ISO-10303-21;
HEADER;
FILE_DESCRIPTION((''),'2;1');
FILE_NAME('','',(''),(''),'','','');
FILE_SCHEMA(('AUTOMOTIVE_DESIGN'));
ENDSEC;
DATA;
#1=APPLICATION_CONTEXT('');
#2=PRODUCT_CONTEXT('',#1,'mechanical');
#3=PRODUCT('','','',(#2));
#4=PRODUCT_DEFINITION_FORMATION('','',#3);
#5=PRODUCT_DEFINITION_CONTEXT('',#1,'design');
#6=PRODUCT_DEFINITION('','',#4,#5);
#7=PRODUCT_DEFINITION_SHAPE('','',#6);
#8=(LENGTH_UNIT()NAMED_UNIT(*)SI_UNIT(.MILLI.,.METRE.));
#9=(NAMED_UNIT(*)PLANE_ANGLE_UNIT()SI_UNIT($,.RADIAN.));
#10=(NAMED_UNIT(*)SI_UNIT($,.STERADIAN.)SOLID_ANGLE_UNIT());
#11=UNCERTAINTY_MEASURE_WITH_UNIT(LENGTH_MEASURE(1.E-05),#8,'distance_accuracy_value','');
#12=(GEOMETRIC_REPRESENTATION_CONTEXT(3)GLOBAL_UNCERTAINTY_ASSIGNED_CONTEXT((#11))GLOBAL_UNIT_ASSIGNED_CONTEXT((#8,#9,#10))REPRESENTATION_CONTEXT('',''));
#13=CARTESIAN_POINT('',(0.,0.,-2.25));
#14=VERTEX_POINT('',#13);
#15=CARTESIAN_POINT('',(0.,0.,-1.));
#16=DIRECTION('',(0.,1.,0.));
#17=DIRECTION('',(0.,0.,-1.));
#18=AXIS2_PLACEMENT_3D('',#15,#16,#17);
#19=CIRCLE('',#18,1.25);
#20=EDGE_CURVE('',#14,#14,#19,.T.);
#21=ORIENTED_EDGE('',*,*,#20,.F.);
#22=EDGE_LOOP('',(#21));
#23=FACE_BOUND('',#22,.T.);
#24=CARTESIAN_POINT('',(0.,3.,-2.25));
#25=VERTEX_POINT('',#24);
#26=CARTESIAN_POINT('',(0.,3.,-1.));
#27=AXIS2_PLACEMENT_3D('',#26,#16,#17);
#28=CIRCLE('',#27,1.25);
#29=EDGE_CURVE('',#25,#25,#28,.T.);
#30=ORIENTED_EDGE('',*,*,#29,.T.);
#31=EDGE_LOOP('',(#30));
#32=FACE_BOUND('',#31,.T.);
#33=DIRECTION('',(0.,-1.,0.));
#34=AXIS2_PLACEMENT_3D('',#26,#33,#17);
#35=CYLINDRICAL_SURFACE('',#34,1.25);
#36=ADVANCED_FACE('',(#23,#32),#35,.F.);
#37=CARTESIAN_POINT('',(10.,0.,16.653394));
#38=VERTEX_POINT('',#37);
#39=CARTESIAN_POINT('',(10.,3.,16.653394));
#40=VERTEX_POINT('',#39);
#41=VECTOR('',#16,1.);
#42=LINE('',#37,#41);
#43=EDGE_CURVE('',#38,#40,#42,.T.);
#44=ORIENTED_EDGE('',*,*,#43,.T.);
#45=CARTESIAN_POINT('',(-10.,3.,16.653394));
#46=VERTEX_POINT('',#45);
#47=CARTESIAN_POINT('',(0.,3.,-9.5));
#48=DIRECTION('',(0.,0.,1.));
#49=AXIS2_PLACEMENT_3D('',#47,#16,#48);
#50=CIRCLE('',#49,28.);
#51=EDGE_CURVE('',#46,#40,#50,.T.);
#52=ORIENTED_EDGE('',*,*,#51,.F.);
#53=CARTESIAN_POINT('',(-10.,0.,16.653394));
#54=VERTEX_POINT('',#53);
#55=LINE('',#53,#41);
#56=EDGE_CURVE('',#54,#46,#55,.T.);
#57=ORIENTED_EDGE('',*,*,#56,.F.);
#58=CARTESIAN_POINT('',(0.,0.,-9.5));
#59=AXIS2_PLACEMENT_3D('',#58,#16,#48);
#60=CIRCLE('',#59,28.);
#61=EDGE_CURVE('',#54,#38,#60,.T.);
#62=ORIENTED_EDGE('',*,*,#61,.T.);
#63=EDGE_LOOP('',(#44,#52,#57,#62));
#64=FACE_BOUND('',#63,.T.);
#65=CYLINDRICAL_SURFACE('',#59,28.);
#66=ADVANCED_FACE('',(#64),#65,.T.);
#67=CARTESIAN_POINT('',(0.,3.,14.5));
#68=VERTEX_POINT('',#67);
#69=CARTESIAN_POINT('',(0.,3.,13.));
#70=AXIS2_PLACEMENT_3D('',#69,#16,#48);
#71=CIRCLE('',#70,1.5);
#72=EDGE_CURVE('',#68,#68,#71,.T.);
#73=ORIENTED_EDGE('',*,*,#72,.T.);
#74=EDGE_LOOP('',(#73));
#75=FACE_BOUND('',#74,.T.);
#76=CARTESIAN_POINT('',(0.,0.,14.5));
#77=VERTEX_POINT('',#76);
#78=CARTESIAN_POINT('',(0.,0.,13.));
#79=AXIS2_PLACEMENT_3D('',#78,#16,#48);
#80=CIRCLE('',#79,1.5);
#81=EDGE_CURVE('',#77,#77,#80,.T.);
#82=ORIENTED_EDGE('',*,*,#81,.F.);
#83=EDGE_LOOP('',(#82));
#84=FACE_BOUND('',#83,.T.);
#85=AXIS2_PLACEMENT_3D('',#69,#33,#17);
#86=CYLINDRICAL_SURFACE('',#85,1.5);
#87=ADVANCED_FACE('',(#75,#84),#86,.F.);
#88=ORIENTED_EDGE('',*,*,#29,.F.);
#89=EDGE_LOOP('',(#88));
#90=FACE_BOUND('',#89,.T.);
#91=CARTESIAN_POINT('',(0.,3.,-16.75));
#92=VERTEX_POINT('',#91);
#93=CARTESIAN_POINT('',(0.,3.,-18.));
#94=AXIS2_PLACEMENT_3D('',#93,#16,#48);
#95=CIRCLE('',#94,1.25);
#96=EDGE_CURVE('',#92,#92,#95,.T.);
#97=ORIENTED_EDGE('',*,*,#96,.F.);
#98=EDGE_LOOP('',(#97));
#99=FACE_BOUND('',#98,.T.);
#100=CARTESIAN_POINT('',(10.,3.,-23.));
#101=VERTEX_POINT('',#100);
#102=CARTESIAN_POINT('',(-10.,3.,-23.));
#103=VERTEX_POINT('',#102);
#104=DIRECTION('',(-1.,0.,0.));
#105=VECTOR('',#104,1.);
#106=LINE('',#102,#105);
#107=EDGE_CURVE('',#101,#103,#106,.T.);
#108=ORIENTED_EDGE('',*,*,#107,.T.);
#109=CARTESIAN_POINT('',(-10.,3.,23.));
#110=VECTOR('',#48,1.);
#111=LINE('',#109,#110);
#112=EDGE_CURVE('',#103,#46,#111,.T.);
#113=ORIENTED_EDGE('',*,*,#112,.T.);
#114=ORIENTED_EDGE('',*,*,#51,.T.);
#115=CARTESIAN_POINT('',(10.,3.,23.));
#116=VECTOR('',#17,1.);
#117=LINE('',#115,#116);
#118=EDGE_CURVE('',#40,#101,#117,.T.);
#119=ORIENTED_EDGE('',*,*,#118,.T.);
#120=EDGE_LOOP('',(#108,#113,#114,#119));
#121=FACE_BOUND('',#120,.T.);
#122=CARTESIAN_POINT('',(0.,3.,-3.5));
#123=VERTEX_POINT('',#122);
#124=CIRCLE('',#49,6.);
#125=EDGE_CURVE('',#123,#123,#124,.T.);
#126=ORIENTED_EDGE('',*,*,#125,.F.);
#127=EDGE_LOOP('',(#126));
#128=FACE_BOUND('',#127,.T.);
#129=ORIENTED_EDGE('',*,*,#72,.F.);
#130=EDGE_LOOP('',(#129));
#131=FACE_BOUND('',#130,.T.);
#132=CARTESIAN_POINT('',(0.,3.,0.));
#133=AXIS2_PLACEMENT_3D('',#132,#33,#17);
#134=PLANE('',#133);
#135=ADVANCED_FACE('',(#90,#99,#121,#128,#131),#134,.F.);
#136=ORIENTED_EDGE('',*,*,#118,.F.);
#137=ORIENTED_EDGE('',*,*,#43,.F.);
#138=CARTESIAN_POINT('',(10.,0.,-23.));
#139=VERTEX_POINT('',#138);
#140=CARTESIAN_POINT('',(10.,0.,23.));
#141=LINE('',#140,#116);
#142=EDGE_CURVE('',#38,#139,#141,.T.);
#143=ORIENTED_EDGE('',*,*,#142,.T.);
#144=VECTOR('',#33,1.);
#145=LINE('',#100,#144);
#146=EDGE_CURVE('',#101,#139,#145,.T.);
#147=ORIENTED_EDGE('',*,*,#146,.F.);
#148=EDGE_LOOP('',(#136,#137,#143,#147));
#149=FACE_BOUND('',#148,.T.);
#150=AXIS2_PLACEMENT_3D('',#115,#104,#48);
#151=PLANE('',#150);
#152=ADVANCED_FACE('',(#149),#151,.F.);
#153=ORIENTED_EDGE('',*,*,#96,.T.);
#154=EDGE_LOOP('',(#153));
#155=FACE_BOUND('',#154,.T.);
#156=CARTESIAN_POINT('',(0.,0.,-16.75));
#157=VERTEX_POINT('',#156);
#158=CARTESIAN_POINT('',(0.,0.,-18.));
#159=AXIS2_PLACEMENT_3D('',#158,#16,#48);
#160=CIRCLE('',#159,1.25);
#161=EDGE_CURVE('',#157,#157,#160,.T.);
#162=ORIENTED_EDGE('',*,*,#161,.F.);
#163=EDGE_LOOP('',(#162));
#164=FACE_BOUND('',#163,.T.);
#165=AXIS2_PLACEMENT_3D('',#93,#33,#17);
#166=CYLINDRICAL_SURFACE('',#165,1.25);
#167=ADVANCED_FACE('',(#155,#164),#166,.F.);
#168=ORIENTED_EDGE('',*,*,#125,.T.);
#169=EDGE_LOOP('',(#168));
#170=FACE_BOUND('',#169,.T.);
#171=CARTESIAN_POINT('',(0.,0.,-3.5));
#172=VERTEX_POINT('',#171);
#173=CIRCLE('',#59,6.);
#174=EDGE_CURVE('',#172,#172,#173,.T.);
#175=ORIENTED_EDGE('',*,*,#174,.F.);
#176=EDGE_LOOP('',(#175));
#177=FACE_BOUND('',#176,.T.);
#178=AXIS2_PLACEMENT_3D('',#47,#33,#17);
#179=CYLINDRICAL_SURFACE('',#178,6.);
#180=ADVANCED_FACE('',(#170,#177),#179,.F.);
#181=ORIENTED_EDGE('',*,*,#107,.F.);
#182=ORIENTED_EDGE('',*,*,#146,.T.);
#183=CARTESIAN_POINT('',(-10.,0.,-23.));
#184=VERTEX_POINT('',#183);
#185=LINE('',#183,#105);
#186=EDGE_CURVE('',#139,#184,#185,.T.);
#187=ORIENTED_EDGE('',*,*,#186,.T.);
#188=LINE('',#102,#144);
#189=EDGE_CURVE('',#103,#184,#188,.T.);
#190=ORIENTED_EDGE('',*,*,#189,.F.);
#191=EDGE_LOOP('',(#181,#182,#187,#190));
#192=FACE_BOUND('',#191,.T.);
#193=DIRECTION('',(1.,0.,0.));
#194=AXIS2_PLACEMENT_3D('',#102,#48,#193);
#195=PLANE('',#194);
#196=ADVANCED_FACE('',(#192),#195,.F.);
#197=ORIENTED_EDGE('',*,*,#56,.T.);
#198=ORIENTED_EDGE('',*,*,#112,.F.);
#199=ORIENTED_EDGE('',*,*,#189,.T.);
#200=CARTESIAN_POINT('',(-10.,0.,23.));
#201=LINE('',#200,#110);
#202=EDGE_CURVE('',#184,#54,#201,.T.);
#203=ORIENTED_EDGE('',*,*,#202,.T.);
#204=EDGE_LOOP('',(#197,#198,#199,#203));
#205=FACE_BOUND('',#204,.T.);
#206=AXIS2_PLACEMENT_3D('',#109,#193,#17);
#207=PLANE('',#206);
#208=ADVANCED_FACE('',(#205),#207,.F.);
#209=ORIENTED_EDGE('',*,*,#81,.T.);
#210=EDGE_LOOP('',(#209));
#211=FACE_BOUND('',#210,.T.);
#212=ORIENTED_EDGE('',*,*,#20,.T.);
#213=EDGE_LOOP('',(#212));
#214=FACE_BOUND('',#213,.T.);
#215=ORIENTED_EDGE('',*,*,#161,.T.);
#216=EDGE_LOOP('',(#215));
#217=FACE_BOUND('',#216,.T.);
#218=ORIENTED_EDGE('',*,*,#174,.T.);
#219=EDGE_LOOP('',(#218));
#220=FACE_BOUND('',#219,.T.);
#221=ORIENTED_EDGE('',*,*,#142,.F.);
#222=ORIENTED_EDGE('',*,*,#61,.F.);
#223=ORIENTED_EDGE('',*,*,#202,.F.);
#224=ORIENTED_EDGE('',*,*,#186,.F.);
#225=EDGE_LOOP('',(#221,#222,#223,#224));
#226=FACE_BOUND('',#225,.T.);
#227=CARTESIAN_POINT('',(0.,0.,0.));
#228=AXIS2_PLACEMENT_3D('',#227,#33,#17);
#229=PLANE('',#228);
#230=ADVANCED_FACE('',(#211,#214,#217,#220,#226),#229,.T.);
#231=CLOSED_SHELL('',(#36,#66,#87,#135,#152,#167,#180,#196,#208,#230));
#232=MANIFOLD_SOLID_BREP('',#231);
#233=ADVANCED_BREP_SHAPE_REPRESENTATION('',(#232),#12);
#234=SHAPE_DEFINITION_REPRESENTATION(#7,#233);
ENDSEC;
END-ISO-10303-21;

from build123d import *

# Parameters (mm, degrees)
SKETCH1_W               = 20
SKETCH1_H               = 46
SKETCH1_R               = 1.25
SKETCH1_R_2             = 6
SKETCH1_R_3             = 1.5
BOSS_EXTRUDE1_DEPTH     = 3
CUT_EXTRUDE1_DEPTH      = 26.258661881
CUT_EXTRUDE1_DEPTH_BACK = 26.258661881
SKETCH2_W               = 20
SKETCH2_H               = 13.653393661


with BuildPart() as part:
    # Sketch1 → Boss-Extrude1 (new body)
    with BuildSketch(Plane(origin=(0, 0, 0), x_dir=(1, 0, 0), z_dir=(0, 1, 0))):
        Rectangle(SKETCH1_W, SKETCH1_H)
        with Locations(Location((0, 18, 0), (0, 0, 270))):
            Circle(SKETCH1_R, mode=Mode.SUBTRACT)
        with Locations(Location((0, 9.5, 0), (0, 0, 270))):
            Circle(SKETCH1_R_2, mode=Mode.SUBTRACT)
        with Locations(Location((0, 1, 0), (0, 0, 90))):
            Circle(SKETCH1_R, mode=Mode.SUBTRACT)
        with Locations(Location((0, -13, 0), (0, 0, 270))):
            Circle(SKETCH1_R_3, mode=Mode.SUBTRACT)
    extrude(amount=BOSS_EXTRUDE1_DEPTH)

    # Sketch2 → Cut-Extrude1 (cut, two sides: drawn at the far end of the back side and taken through both)
    with BuildSketch(Plane(origin=(0, 3, 0), x_dir=(1, 0, 0), z_dir=(0, 1, 0)).offset(-CUT_EXTRUDE1_DEPTH_BACK)):
        with Locations((0, -29.826696831)):
            Rectangle(SKETCH2_W, SKETCH2_H)
        with BuildLine():
            ThreePointArc((10, -16.653393661), (0, -18.5), (-10, -16.653393661))
            Line((-10, -16.653393661), (-10, -23))
            Line((-10, -23), (10, -23))
            Line((10, -23), (10, -16.653393661))
        make_face()
    extrude(amount=CUT_EXTRUDE1_DEPTH + CUT_EXTRUDE1_DEPTH_BACK, mode=Mode.SUBTRACT)


solid = part.part
